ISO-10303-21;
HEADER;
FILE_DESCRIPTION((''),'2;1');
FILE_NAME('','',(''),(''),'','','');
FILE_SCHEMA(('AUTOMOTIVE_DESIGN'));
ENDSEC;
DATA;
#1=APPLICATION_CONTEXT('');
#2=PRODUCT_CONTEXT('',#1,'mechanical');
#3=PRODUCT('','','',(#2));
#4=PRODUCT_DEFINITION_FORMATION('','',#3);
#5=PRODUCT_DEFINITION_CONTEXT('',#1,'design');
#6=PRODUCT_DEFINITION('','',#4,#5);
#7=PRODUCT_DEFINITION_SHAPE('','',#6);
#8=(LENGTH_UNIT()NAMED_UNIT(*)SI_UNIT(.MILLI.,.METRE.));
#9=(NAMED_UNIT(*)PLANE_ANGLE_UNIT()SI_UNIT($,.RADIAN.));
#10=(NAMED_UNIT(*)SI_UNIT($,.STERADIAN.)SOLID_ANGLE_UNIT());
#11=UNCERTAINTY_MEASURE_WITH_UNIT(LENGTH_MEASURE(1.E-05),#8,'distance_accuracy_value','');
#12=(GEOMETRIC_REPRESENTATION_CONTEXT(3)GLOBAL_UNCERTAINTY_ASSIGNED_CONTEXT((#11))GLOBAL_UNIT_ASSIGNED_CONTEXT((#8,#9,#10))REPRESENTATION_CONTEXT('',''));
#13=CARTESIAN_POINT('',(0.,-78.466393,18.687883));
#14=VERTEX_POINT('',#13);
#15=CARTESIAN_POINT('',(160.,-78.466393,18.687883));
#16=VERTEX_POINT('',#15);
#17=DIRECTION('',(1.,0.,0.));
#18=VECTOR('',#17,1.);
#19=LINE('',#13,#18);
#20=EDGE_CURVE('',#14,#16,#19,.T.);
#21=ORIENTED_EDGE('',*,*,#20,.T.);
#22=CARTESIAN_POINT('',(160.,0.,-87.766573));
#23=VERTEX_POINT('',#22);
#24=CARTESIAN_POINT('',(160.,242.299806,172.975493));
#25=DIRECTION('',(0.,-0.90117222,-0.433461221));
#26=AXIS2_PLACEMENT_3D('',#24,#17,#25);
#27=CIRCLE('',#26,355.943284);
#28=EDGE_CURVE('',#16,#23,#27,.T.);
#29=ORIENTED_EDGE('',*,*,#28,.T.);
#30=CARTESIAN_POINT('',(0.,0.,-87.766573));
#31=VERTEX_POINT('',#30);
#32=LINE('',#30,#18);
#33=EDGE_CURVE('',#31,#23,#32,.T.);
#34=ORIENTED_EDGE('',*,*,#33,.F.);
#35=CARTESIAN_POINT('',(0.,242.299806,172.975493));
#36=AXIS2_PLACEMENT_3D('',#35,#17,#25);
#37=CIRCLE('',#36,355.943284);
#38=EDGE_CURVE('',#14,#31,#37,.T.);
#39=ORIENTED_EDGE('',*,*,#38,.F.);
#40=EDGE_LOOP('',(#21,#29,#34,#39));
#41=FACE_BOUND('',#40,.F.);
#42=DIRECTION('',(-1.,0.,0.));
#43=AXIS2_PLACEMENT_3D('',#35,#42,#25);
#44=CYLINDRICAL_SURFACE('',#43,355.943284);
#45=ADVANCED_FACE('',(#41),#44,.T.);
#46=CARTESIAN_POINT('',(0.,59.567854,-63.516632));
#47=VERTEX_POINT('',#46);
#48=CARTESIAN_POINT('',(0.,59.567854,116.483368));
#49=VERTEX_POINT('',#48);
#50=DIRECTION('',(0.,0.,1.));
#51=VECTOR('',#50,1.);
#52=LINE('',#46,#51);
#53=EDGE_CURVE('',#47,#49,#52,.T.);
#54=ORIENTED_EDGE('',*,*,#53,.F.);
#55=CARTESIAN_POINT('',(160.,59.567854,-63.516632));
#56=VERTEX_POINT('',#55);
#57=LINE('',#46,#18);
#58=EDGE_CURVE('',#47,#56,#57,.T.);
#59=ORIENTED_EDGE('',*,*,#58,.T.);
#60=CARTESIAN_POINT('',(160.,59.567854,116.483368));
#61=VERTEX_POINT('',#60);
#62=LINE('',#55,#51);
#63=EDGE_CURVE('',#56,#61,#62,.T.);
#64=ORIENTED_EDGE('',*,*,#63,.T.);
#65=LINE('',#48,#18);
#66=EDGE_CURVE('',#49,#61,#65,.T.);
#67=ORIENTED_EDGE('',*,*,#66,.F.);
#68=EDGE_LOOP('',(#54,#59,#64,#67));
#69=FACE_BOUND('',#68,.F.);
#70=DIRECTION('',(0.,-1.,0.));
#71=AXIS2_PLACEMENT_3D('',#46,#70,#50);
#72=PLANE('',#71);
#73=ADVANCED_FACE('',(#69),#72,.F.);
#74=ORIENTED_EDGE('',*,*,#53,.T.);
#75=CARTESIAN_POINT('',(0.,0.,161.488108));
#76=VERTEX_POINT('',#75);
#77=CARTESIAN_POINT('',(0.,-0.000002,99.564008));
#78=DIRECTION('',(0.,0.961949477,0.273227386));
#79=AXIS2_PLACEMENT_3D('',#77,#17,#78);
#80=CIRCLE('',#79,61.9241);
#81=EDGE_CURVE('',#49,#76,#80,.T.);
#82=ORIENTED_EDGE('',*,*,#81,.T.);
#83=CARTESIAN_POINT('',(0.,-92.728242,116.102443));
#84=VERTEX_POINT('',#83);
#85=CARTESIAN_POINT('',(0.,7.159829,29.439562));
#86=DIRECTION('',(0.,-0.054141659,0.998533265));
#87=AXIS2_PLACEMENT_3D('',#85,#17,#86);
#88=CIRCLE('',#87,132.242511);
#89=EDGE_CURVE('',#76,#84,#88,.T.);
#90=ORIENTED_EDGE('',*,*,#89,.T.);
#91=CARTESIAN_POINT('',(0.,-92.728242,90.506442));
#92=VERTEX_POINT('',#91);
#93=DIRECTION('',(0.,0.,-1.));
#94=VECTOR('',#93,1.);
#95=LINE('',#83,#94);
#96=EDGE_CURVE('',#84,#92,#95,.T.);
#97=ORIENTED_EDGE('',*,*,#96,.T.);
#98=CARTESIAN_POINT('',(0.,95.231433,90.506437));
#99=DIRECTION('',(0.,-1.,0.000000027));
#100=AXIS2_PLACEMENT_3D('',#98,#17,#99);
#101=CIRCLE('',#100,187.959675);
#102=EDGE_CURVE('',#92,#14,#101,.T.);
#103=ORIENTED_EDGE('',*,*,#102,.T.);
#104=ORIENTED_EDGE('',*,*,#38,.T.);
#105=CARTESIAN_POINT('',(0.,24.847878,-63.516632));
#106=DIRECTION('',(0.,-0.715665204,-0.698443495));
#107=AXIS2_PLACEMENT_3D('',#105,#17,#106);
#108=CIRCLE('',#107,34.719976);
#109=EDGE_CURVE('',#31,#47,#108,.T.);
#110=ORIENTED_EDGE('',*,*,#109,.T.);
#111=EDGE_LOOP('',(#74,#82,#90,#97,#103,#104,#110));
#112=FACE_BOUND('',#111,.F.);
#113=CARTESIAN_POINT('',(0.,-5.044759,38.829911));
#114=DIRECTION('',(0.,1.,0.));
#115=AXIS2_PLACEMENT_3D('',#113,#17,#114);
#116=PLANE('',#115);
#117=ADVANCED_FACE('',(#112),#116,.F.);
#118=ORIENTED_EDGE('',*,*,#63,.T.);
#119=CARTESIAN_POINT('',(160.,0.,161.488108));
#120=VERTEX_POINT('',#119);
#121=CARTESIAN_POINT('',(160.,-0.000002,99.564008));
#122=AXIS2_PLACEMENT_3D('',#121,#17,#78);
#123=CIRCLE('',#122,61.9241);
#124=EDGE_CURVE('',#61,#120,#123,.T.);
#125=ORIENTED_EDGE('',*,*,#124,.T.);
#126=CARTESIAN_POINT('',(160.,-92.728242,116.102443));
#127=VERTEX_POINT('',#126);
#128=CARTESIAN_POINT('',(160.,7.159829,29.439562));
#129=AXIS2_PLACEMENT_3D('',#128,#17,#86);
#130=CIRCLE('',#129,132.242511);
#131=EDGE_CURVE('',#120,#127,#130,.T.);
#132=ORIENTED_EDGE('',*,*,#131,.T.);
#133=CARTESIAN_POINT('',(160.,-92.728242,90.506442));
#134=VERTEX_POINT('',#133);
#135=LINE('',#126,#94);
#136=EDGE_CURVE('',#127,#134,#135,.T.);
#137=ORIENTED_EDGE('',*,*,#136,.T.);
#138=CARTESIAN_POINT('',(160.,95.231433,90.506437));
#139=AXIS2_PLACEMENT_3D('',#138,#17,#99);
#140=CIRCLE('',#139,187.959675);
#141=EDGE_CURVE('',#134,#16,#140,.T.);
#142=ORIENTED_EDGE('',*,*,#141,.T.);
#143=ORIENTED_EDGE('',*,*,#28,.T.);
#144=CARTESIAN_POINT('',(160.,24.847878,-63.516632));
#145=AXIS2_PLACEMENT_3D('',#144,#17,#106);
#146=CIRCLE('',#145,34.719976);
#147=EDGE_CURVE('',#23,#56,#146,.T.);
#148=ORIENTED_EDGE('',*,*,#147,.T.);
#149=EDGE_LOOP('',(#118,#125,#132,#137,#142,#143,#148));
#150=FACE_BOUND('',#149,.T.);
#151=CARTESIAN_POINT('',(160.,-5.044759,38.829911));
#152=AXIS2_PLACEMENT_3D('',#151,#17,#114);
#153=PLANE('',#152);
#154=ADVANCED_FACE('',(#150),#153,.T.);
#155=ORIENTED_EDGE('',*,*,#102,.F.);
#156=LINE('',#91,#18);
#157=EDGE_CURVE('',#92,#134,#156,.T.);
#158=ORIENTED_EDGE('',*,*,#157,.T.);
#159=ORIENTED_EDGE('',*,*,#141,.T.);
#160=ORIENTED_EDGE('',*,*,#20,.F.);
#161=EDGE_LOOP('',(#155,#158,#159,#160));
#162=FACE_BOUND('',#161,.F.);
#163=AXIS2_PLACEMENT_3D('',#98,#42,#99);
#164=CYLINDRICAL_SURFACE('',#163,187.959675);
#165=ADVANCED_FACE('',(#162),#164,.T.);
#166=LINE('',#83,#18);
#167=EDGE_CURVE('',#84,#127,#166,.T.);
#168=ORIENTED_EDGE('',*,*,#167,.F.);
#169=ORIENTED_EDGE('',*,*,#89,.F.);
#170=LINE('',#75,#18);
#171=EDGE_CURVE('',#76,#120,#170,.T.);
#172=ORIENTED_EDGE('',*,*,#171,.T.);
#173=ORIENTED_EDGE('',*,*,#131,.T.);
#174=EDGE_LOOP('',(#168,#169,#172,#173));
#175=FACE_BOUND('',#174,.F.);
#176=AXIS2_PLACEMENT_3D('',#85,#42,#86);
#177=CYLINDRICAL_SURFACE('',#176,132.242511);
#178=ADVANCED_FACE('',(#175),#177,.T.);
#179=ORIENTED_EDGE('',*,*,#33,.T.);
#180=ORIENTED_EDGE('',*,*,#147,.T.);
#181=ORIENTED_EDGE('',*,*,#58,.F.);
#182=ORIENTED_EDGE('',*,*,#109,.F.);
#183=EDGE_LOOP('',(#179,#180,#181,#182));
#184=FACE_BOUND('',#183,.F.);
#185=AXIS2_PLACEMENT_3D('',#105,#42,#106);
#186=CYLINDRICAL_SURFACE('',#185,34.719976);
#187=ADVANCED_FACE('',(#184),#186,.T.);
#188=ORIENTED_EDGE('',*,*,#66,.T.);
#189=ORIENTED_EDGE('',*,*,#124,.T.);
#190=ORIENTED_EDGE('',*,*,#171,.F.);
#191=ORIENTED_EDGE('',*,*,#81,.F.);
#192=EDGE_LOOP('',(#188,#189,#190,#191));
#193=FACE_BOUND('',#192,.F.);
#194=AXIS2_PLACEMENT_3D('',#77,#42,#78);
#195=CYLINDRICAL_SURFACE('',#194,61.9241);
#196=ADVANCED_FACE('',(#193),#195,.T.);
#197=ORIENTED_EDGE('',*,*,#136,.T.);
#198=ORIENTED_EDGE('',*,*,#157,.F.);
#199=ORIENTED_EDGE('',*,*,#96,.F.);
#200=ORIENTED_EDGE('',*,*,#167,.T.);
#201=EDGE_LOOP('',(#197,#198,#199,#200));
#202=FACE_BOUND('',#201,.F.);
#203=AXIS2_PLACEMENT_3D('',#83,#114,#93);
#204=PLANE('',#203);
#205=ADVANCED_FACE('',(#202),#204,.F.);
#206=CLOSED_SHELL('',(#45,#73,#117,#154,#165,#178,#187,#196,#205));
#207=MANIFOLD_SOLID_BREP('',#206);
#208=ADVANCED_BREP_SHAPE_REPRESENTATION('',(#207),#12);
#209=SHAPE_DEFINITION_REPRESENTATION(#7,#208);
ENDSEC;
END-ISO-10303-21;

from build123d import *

# Parameters (mm, degrees)
F1_DEPTH = 160


with BuildPart() as f1:
    # F0 (on Right) → F1 (new body)
    with BuildSketch(Plane.YZ):
        with BuildLine():
            Line((59.567854, -63.516632), (59.567854, 116.483368))
            ThreePointArc((59.567854, 116.483368), (37.328795, 148.972055), (0, 161.488108))
            ThreePointArc((0, 161.488108), (-50.976028, 148.217943), (-92.728242, 116.102443))
            Line((-92.728242, 116.102443), (-92.728242, 90.506442))
            ThreePointArc((-92.728242, 90.506442), (-89.128306, 53.895973), (-78.466393, 18.687883))
            ThreePointArc((-78.466393, 18.687883), (-44.220646, -38.215538), (0, -87.766573))
            ThreePointArc((0, -87.766573), (37.939077, -95.674014), (59.567854, -63.516632))
        make_face()
    extrude(amount=F1_DEPTH)


solid = f1.part
